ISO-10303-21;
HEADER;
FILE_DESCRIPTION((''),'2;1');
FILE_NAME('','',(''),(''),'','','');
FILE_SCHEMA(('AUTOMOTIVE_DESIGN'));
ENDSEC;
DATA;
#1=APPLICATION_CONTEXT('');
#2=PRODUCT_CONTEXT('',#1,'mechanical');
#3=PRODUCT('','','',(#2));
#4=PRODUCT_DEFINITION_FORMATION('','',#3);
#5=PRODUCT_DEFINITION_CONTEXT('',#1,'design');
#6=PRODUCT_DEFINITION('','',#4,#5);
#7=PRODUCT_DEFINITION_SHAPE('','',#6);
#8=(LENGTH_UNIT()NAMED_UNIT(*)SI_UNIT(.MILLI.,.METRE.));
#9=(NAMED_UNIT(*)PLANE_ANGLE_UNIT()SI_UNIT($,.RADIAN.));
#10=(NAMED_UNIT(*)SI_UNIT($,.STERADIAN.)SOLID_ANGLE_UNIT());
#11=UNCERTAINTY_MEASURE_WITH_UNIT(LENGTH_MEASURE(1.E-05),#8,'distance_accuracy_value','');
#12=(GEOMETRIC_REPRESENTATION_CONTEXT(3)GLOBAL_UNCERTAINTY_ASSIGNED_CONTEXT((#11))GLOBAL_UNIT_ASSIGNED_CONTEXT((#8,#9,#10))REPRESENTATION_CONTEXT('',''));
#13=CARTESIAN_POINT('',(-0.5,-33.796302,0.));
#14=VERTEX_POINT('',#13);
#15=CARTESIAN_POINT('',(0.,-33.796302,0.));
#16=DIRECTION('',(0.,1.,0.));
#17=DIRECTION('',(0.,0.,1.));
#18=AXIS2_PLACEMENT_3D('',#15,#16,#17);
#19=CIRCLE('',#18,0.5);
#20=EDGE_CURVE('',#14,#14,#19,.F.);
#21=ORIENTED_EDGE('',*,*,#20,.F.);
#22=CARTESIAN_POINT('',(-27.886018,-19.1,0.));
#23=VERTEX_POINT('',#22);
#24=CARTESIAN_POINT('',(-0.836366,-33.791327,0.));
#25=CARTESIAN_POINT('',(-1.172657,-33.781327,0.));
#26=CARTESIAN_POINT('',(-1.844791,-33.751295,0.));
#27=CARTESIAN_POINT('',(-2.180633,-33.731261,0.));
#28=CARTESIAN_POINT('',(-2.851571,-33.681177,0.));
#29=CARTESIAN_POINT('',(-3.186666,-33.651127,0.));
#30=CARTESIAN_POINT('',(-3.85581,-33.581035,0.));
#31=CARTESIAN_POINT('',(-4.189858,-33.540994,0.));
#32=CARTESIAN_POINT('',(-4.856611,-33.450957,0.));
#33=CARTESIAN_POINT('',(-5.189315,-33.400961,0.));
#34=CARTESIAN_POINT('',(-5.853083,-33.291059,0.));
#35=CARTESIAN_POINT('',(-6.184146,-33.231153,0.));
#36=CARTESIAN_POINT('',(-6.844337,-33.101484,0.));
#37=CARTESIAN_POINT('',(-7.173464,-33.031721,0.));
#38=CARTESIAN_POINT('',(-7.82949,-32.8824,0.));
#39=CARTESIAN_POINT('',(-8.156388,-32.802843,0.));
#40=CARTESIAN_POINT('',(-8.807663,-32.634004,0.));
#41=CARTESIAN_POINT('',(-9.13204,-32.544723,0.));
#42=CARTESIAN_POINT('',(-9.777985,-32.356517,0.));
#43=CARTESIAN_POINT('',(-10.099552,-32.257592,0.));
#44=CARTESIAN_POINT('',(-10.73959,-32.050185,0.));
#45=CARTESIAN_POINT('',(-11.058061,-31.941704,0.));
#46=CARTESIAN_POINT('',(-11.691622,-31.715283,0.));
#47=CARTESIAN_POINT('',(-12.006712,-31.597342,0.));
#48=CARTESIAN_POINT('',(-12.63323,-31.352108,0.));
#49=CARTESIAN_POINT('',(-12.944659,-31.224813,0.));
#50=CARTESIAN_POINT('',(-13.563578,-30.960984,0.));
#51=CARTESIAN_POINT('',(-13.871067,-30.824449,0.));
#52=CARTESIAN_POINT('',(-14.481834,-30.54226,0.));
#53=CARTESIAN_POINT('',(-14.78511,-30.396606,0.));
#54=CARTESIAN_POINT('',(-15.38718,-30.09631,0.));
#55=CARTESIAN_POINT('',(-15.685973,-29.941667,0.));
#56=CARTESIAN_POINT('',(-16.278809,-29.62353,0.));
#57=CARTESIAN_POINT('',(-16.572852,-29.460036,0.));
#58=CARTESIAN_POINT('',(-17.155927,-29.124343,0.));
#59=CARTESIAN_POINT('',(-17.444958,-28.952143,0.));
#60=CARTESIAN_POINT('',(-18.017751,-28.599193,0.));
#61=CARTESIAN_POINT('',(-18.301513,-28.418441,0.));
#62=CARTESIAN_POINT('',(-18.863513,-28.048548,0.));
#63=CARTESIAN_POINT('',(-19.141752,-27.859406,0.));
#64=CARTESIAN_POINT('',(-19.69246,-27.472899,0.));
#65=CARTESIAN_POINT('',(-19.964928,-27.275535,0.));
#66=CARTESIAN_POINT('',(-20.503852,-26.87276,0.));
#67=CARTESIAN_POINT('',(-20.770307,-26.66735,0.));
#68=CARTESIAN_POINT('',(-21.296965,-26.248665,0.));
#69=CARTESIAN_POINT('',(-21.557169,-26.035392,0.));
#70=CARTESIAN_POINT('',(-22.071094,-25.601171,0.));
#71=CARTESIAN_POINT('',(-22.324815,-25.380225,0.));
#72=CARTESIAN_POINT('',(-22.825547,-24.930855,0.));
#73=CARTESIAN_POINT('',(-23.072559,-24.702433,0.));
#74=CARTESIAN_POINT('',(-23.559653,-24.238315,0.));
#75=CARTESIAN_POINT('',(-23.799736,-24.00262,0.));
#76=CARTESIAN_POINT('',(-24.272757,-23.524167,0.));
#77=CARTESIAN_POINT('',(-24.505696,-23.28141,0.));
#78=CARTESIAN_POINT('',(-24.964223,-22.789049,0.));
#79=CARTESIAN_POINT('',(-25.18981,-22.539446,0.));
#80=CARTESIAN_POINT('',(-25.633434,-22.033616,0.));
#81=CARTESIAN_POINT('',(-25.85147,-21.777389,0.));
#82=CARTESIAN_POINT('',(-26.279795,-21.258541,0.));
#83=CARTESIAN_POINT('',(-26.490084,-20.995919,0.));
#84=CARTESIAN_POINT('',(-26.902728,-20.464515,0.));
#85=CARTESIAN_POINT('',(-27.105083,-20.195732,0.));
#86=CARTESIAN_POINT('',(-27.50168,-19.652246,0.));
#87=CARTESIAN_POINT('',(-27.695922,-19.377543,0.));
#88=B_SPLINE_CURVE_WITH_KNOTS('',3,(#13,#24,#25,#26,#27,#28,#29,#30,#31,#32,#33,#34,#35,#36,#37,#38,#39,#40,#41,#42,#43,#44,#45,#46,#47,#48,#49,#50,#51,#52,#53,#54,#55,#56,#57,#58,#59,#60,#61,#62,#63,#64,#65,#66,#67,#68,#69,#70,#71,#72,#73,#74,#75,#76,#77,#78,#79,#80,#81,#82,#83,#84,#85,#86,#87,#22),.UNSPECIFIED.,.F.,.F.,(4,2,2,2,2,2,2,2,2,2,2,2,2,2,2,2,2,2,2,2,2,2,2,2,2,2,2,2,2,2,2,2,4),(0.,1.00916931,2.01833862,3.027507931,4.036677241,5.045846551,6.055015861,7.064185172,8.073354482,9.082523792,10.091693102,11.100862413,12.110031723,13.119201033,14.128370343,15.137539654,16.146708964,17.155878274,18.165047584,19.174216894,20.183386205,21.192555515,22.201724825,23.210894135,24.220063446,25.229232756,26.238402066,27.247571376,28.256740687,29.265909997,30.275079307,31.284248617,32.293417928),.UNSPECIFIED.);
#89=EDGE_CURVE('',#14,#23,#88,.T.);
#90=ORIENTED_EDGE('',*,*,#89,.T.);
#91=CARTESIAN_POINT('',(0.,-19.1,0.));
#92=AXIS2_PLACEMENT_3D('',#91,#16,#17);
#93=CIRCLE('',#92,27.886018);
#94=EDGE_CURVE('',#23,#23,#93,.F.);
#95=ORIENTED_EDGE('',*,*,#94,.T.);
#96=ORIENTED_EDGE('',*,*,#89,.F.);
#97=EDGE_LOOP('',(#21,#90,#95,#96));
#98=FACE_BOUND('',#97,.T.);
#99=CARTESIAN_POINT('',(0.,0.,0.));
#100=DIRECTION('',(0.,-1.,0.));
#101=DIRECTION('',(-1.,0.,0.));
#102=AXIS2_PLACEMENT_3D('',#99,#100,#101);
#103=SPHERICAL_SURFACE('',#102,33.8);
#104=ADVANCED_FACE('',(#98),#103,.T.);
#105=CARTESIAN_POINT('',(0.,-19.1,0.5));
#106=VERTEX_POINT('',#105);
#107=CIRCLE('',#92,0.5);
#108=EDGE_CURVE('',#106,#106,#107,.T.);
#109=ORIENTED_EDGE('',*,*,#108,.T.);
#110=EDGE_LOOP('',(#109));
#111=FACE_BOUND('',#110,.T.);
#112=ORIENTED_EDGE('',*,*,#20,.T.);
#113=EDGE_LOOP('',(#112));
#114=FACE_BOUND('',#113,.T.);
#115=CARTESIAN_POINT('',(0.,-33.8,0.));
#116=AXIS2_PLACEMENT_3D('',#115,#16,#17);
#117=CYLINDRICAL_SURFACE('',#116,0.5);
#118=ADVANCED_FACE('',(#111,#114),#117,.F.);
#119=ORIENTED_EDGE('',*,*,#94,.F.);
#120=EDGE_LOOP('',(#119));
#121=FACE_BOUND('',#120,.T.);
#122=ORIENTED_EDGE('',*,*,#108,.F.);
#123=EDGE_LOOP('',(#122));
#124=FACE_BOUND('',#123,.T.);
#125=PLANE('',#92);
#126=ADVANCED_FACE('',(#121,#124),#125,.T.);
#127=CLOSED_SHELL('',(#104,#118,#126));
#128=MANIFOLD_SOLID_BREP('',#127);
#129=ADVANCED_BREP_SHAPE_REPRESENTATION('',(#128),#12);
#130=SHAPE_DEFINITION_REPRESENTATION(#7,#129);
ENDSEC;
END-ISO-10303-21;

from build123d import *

# Parameters (mm, degrees)
SKETCH2_R           = 33.8
CUT_EXTRUDE1_DEPTH  = 19.1
SKETCH20_R          = 0.5
CUT_EXTRUDE13_DEPTH = 43.087409044


with BuildPart() as part:
    # Sketch1 → Revolve1 (revolve)
    with BuildSketch(Plane.XY, mode=Mode.PRIVATE) as revolve1_sk:
        with BuildLine():
            Line((0, -33.8), (0, 0))
            Line((0, 0), (33.8, 0))
            ThreePointArc((33.8, 0), (23.900209204, -23.900209204), (0, -33.8))
        make_face()
    revolve(revolve1_sk.sketch.rotate(Axis((0, -33.8, 0), (0, 1, 0)), 180), axis=Axis((0, -33.8, 0), (0, 1, 0)))

    # Sketch2 → Cut-Extrude1 (cut)
    with BuildSketch(Plane(origin=(0, 0, 0), x_dir=(1, 0, 0), z_dir=(0, 1, 0))):
        Circle(SKETCH2_R)
    extrude(amount=-CUT_EXTRUDE1_DEPTH, mode=Mode.SUBTRACT)

    # Sketch20 → Cut-Extrude13 (cut, through all)
    with BuildSketch(Plane(origin=(0, -19.1, 0), x_dir=(1, 0, 0), z_dir=(0, 1, 0))):
        with Locations(Location((0, 0, 0), (0, 0, 270))):
            Circle(SKETCH20_R)
    extrude(amount=-CUT_EXTRUDE13_DEPTH, mode=Mode.SUBTRACT)


solid = part.part
